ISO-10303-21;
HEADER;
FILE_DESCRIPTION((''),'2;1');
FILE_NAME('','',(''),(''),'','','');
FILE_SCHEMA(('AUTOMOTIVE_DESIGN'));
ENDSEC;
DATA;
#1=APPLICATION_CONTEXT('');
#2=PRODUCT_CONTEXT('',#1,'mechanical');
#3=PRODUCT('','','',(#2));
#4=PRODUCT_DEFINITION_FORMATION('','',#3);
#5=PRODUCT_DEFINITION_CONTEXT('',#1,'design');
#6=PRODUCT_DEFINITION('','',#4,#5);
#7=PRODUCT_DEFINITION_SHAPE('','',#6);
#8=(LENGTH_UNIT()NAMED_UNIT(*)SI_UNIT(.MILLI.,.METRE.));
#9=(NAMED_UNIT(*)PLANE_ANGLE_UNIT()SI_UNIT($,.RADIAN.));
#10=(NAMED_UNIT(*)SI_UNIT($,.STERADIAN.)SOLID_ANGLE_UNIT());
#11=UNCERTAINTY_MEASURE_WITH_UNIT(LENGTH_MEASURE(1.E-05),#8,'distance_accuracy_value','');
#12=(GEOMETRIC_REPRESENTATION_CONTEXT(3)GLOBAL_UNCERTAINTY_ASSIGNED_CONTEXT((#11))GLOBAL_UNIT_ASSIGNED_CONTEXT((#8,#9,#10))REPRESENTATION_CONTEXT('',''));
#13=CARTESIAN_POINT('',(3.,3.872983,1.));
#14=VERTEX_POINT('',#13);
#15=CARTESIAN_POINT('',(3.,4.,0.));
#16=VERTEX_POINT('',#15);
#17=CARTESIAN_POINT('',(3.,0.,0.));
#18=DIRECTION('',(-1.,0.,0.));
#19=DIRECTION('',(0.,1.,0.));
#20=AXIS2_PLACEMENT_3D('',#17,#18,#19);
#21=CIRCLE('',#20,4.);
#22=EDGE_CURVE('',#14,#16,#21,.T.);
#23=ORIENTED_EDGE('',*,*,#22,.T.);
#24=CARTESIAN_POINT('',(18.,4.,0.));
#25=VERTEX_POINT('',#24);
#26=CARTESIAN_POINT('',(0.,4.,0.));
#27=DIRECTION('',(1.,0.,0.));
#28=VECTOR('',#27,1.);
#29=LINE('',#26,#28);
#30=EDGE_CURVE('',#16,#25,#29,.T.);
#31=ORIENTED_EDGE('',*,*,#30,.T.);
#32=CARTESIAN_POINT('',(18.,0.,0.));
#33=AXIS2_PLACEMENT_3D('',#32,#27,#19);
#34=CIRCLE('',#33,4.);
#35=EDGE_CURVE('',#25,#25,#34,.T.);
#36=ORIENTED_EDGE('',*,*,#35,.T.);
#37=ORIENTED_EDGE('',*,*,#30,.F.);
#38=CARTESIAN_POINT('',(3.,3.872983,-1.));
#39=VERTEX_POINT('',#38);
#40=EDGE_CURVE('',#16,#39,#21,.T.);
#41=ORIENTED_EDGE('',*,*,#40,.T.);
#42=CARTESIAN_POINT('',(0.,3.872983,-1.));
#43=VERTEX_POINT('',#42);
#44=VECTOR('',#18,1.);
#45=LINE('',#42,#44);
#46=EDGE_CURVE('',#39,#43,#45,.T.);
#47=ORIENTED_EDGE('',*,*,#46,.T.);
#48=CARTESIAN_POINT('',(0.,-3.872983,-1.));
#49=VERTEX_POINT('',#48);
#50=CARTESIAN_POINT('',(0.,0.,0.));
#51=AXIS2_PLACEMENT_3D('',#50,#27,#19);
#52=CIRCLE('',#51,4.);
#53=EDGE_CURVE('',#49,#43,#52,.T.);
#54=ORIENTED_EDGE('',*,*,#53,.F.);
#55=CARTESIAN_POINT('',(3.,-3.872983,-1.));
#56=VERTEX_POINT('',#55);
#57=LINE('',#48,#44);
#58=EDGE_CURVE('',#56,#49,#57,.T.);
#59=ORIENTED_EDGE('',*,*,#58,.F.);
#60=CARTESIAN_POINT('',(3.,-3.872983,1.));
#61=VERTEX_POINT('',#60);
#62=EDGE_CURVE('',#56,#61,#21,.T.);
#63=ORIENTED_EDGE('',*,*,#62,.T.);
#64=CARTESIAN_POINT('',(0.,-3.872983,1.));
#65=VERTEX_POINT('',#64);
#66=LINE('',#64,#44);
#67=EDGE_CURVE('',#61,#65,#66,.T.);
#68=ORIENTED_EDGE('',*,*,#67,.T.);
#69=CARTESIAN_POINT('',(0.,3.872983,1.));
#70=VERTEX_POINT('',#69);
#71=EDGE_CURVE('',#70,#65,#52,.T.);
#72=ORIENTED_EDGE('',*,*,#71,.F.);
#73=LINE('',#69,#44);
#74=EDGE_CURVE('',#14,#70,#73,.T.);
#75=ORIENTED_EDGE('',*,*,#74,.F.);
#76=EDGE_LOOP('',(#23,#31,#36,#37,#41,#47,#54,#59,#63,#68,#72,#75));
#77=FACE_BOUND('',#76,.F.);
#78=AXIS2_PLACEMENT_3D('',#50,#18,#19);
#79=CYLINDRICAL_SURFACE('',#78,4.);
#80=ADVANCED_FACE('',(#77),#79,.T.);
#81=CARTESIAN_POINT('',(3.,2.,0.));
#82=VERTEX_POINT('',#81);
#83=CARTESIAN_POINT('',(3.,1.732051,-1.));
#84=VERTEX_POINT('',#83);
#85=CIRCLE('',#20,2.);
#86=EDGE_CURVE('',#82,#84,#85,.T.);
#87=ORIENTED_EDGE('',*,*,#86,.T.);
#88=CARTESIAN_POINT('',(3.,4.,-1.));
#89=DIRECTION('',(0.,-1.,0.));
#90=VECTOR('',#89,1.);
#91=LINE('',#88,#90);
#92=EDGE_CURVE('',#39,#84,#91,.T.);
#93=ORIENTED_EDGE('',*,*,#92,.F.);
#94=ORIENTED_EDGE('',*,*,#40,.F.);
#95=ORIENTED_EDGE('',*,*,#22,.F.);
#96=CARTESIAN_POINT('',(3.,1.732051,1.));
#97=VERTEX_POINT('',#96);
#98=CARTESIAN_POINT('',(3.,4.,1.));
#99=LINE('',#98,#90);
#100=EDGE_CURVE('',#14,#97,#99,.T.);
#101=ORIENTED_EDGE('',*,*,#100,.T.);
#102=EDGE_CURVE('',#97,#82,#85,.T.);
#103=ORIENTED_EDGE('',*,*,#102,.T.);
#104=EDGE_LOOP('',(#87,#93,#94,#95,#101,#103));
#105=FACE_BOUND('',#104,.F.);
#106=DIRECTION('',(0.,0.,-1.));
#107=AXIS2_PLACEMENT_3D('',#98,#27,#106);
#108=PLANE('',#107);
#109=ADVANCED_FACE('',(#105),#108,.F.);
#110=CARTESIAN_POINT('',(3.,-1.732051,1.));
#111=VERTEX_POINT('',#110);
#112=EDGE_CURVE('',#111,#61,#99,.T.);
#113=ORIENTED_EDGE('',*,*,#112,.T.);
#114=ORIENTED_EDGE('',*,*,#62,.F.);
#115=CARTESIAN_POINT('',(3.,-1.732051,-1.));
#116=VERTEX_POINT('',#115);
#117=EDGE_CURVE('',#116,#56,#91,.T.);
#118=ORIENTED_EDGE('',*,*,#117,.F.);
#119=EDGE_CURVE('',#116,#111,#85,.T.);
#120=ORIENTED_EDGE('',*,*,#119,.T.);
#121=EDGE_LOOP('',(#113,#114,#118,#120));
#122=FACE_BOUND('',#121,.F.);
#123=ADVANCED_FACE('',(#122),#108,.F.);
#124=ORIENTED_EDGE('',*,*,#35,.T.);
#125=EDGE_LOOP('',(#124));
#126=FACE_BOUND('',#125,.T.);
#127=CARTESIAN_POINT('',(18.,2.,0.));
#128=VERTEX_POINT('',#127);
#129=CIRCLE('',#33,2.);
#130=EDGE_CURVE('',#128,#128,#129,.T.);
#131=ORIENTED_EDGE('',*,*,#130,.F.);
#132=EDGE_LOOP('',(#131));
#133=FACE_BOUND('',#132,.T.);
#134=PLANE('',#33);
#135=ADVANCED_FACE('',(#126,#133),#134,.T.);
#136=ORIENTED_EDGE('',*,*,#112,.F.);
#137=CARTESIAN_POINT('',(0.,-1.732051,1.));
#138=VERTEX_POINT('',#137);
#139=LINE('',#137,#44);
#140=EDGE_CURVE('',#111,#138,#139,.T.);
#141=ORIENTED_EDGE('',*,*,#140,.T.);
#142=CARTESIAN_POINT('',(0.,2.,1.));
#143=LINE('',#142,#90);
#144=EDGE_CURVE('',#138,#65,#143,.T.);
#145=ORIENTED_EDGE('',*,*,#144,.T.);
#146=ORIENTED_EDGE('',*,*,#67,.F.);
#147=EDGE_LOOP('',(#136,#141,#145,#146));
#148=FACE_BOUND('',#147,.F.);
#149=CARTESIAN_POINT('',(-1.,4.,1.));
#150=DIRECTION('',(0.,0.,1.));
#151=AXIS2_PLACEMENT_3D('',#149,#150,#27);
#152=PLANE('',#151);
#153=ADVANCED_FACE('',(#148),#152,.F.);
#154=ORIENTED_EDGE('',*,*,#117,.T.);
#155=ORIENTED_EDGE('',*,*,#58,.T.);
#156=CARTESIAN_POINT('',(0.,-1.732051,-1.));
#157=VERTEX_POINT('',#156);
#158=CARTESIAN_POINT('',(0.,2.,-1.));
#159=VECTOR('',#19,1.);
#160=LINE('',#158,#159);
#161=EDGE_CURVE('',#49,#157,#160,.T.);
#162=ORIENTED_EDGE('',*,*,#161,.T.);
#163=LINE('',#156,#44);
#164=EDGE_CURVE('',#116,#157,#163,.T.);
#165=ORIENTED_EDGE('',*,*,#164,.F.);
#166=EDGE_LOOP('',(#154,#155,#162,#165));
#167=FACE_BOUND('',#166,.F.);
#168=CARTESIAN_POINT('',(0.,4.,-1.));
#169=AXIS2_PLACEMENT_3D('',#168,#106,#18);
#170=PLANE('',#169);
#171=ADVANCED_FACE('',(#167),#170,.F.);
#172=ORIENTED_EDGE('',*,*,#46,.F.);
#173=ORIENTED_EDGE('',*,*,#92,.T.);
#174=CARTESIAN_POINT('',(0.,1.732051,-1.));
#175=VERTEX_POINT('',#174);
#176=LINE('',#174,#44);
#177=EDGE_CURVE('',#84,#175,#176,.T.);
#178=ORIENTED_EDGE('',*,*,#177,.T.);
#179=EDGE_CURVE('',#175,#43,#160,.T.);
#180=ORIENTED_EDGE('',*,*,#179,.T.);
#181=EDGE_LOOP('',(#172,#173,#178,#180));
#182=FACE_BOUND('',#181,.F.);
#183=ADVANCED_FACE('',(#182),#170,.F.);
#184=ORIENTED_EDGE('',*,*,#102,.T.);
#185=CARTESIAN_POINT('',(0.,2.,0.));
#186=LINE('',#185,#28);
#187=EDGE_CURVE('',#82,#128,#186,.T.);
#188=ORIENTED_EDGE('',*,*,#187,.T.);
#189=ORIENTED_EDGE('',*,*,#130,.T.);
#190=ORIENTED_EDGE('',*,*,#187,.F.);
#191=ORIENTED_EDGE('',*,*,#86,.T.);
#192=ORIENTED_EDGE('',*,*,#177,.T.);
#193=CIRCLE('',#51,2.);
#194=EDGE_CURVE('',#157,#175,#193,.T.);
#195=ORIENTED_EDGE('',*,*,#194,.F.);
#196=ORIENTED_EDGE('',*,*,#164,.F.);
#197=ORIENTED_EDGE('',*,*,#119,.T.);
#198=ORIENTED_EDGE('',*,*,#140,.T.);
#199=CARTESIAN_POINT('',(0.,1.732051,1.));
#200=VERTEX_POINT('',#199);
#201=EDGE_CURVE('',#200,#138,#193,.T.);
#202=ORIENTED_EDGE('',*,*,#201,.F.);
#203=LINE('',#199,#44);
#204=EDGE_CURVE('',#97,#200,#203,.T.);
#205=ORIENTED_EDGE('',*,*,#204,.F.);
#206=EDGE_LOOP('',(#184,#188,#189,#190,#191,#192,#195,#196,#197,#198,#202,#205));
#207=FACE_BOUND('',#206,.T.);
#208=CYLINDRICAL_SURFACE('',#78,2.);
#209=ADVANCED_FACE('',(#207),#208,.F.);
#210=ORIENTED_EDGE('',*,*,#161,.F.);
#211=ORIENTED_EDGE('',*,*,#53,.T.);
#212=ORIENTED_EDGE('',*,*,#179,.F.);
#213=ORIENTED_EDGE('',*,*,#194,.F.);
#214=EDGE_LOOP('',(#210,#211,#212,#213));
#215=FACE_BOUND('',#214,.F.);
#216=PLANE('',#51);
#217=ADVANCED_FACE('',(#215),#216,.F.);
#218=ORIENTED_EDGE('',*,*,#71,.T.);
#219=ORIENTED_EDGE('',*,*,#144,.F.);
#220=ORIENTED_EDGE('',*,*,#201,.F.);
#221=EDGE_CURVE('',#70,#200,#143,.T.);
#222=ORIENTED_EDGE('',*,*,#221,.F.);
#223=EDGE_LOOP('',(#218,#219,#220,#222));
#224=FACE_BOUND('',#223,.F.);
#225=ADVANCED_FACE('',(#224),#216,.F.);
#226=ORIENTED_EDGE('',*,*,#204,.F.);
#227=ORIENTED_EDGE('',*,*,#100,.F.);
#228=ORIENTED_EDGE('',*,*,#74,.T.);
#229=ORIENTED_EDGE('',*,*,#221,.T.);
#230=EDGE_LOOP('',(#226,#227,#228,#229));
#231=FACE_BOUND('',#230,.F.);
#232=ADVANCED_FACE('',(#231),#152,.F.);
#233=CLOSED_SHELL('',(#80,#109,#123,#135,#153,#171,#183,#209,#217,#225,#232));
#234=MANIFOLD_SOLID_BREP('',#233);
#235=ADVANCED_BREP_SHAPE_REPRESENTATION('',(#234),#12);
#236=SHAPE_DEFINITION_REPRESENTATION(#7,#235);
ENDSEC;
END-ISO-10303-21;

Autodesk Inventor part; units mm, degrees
ref_plane "YZ Plane" through (0, 0, 0) normal (1, 0, 0) x (0, 1, 0)
ref_plane "XY Plane" through (0, 0, 0) normal (0, 0, 1) x (1, 0, 0)
sketch "Sketch1" plane through (0, 0, 0) normal (1, 0, 0) x (0, 1, 0)
  circle A0 centre (0, 0) radius 4
  circle A1 centre (0, 0) radius 2
  dimension "d0" = 8
  dimension "d1" = 4
extrude "Extrusion1" add sketch "Sketch1" along normal blind 18
ref_plane "Work Plane1" through (0, 4, 0) normal (0, 1, 0) x (-1, 0, 0)
sketch "Sketch2" plane through (0, 4, 0) normal (0, 1, 0) x (-1, 0, 0)
  line L0 (-18, 4) -> (-18, -4) projected
  line L1 (0, 4) -> (0, -4) projected
  line L2 (1, 1) -> (-3, 1)
  line L3 (-3, 1) -> (-3, -1)
  line L4 (-3, -1) -> (1, -1)
  line L5 (1, -1) -> (1, 1)
  point P0 (0, 0)
  point P1 (-1, -1)
  point P2 (0, 0)
  dimension "d4" = 1
  dimension "d5" = 1
  dimension "d6" = 3
extrude "Extrusion2" cut sketch "Sketch2" against normal through all
thread "Thread1" size "M8x1.25" class "6g" standard "ANSI Metric M Profile" full length
properties part number "HUDSON-1-89B"
